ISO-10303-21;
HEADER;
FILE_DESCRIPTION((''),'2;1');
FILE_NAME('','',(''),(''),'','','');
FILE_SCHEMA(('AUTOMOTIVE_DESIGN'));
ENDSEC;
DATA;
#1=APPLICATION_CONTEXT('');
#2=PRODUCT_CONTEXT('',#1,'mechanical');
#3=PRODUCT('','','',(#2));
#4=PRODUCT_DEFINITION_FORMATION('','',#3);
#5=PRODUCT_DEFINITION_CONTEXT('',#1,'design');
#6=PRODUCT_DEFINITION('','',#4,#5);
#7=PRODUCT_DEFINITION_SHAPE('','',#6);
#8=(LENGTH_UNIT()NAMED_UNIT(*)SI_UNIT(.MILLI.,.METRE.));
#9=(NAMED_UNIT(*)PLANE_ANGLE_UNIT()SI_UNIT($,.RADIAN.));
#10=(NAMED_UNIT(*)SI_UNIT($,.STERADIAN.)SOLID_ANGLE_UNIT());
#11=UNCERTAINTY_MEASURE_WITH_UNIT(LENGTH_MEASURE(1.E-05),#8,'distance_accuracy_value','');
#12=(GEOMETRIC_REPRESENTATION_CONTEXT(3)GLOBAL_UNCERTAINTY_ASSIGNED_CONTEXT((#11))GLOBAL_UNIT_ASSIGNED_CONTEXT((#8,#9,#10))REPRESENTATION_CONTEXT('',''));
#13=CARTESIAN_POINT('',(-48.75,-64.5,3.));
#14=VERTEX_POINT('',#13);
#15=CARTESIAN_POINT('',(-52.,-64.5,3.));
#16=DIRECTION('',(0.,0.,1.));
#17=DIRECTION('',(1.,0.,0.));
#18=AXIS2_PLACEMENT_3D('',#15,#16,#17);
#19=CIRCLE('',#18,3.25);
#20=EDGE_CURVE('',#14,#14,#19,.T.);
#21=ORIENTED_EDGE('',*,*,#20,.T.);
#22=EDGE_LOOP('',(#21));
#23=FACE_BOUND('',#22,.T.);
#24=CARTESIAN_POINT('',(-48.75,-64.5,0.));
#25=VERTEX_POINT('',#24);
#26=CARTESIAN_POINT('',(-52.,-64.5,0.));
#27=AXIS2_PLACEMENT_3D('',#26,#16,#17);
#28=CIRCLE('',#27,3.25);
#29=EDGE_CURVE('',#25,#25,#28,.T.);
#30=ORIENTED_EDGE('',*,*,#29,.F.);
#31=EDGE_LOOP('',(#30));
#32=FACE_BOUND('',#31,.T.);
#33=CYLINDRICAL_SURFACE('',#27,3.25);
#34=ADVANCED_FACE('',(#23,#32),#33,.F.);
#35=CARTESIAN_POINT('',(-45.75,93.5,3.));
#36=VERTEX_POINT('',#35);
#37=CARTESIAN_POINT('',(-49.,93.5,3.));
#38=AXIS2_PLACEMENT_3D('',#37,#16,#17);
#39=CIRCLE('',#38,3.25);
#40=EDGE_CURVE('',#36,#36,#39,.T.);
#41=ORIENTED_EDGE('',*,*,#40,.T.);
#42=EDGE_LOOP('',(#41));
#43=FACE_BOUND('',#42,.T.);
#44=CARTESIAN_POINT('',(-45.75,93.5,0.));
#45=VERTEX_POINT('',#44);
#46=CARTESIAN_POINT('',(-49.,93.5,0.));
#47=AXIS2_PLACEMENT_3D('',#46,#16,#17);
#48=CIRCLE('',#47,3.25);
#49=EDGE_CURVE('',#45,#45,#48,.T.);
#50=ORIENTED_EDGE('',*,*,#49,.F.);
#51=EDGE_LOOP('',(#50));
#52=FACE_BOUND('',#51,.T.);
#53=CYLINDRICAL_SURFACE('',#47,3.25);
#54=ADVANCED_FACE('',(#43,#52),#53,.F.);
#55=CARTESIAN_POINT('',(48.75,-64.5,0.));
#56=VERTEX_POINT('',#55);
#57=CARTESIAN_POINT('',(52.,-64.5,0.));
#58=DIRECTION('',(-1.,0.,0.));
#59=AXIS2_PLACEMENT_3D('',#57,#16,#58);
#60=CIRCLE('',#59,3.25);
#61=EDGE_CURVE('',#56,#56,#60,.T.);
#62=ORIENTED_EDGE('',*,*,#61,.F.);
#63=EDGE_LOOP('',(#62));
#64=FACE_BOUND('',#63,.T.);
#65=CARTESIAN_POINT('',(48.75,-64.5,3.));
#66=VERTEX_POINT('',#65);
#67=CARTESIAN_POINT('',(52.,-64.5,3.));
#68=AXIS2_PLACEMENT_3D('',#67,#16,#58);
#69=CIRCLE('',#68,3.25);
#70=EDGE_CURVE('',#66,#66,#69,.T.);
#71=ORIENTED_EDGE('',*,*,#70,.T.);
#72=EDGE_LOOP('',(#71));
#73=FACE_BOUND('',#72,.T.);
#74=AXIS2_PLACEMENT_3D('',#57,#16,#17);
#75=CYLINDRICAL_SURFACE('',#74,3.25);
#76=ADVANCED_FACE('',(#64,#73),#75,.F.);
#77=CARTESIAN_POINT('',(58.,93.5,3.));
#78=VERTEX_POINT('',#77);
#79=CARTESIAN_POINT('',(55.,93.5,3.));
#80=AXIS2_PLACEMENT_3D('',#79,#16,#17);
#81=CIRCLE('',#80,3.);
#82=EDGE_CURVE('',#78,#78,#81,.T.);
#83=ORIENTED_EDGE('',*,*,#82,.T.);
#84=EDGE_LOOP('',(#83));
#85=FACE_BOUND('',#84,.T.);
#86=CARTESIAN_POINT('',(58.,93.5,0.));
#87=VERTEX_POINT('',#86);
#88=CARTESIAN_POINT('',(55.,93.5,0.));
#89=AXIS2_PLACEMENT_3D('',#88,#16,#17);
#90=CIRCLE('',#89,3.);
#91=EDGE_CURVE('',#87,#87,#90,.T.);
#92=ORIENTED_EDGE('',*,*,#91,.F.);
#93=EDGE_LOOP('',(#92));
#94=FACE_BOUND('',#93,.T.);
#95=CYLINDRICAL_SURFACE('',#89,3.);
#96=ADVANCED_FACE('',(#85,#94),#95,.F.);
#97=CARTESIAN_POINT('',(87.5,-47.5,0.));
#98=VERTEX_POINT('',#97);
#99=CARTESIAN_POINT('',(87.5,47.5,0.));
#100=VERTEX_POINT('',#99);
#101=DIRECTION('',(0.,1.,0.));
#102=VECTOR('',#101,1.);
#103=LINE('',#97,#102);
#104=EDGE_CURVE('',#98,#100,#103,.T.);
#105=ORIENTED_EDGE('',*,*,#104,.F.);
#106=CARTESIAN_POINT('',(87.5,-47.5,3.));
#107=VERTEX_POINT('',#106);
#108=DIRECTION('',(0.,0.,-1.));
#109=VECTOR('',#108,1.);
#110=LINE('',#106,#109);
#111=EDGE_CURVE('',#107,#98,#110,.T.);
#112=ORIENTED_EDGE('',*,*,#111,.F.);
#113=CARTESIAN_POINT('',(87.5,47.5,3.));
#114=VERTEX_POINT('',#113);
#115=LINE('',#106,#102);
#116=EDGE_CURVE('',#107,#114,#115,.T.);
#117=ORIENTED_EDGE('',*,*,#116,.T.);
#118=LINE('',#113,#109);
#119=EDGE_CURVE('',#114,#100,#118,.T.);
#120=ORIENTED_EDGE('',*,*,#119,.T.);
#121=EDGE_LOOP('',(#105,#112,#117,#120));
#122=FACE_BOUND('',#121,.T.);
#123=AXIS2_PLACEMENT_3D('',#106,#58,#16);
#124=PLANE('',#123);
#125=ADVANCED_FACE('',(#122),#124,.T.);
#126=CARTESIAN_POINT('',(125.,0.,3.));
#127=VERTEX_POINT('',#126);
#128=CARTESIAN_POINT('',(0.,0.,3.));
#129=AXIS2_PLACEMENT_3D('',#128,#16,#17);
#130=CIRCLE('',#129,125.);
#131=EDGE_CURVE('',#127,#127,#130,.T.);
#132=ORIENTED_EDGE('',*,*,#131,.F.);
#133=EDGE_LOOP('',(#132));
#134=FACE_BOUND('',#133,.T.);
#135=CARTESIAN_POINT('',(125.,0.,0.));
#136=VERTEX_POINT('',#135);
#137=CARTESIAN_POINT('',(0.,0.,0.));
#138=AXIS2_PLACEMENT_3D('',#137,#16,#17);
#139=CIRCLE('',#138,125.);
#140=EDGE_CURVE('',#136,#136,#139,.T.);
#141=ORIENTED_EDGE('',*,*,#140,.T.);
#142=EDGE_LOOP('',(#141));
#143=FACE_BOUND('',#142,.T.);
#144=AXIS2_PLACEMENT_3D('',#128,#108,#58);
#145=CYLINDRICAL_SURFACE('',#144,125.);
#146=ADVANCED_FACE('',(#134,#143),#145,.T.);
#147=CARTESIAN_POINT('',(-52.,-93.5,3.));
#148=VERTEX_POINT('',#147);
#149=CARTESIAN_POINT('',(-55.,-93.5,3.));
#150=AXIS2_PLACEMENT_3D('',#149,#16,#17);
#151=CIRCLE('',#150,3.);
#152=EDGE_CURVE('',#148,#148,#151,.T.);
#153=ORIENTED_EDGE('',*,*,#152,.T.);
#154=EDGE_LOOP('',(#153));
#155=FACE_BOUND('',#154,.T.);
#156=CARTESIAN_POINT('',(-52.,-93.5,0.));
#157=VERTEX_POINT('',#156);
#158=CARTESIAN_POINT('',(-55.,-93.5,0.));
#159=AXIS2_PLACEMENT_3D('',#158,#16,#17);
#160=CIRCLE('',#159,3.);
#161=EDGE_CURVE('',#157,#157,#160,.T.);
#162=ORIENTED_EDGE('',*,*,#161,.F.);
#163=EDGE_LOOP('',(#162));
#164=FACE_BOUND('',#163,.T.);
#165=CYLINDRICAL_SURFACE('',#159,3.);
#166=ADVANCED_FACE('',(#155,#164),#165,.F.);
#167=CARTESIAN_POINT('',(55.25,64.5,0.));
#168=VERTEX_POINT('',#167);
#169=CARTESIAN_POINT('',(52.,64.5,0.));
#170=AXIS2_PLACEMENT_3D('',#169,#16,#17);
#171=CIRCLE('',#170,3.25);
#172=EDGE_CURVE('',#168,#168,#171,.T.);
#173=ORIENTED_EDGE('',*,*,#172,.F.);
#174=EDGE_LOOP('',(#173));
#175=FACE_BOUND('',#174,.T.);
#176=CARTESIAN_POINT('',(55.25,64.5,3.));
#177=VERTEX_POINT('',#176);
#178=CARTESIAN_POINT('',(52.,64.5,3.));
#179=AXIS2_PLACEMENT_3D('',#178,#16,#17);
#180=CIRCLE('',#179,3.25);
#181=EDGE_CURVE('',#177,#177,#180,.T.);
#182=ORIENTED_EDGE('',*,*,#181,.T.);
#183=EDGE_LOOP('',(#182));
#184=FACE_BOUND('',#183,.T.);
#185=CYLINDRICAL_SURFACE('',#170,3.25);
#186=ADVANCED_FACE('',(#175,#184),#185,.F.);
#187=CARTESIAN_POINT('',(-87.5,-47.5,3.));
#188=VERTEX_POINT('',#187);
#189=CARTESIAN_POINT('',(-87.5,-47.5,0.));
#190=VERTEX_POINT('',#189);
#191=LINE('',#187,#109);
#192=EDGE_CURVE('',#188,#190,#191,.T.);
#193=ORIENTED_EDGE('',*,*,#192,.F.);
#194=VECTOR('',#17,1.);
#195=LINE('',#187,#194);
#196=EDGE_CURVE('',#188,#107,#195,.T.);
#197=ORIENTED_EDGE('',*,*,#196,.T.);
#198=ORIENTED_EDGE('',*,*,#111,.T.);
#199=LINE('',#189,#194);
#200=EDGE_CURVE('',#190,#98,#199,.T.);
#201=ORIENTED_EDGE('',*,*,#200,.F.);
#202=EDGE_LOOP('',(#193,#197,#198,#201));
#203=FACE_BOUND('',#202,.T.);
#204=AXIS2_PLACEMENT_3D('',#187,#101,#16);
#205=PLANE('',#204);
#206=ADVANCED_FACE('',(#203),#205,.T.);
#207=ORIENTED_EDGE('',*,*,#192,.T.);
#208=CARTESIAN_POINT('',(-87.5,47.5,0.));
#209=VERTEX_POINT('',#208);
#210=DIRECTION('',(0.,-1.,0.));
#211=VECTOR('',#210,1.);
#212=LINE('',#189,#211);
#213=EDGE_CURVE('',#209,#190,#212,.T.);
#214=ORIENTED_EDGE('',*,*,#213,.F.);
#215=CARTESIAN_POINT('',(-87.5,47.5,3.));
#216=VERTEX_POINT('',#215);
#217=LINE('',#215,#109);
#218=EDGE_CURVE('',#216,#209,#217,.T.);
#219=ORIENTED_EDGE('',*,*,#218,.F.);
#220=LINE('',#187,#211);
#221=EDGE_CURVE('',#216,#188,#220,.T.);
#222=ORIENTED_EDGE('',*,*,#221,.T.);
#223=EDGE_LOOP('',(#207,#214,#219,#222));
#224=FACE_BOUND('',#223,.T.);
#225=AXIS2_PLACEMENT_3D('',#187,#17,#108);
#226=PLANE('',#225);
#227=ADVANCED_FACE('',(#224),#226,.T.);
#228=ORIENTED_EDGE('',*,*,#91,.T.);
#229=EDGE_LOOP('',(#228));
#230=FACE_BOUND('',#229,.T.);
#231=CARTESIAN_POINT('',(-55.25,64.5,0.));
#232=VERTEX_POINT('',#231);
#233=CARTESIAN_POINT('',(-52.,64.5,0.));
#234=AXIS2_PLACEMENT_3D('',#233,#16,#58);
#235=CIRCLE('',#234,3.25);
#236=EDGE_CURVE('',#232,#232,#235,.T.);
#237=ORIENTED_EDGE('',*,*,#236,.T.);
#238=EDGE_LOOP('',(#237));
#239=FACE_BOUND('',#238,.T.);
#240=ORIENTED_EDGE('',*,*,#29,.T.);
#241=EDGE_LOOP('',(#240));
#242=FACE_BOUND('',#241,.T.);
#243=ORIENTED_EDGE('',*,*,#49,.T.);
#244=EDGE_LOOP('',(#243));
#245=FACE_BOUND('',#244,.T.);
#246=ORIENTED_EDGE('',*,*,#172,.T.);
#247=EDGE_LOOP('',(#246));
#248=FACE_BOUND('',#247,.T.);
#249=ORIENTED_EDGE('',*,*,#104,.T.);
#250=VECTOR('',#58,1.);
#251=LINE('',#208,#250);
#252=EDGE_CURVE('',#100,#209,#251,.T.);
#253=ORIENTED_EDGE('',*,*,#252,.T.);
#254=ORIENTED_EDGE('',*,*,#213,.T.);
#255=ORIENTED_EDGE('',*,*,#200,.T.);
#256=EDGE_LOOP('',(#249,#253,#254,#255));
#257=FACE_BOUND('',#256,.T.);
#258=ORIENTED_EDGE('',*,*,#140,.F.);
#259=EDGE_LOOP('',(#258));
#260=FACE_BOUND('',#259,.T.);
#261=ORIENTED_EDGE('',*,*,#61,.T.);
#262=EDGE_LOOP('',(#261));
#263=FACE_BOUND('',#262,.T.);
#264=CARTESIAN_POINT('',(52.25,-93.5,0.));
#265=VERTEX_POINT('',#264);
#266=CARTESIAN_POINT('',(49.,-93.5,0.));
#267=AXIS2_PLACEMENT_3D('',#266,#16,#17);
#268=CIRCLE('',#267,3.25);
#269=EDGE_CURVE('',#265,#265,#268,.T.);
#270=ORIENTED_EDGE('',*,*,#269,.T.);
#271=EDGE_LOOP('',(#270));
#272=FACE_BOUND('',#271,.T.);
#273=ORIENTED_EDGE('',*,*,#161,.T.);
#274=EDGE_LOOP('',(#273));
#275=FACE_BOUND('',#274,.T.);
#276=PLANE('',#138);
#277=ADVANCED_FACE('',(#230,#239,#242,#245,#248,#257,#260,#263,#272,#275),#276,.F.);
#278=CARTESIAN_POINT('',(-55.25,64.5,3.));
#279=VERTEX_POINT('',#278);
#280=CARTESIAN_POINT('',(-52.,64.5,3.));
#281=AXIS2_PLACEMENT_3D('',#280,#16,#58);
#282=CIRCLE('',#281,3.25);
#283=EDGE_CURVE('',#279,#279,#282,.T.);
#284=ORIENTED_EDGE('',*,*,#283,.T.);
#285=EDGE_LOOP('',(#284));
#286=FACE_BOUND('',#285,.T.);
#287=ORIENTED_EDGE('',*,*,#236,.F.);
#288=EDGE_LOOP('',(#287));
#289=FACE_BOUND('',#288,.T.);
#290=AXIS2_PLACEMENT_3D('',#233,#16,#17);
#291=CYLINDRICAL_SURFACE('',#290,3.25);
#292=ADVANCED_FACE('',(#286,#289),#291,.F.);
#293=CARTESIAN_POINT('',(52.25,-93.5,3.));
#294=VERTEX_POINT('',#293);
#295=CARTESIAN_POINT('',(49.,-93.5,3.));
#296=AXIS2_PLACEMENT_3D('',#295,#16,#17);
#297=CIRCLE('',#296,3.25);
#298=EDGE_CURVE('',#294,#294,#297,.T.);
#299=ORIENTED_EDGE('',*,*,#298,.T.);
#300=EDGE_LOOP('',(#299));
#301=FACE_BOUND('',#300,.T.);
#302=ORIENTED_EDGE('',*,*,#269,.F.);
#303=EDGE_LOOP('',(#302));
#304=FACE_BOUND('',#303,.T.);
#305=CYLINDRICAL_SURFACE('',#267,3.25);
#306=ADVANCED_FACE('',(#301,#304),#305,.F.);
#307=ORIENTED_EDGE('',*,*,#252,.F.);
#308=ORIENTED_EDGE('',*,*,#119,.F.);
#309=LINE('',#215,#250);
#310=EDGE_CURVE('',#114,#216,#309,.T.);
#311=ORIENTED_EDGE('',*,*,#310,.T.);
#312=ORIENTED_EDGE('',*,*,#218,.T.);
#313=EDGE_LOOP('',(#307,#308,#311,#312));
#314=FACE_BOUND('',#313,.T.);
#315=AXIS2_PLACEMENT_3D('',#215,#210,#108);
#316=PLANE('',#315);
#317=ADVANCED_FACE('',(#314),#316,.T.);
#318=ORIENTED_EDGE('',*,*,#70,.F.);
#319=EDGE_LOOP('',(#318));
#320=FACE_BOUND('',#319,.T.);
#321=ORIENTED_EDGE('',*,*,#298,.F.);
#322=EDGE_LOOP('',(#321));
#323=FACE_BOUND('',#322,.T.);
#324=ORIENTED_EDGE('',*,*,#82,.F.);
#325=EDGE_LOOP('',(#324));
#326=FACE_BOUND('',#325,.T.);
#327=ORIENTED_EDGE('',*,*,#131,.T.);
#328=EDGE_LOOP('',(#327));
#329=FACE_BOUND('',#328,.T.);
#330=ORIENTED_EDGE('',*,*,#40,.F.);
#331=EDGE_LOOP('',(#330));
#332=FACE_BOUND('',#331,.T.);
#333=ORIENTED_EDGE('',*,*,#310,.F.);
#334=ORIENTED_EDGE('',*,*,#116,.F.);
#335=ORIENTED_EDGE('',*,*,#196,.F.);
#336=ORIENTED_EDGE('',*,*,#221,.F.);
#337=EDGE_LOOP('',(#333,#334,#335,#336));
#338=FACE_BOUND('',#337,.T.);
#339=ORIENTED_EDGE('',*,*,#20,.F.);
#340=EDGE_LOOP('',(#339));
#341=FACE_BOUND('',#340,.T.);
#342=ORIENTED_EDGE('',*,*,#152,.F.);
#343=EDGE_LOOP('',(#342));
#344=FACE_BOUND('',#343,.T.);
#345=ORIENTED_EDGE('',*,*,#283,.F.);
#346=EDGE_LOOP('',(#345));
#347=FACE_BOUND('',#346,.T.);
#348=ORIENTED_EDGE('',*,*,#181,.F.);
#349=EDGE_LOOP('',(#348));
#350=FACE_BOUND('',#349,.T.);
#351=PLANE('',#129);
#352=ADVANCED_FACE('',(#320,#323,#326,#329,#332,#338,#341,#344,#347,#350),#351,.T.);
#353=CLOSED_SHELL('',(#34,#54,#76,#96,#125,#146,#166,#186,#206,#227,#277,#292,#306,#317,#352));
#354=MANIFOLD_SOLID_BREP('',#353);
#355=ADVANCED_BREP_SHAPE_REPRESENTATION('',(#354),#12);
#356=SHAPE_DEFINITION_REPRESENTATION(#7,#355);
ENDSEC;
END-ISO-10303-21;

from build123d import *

# Parameters (mm, degrees)
SKETCH1_R           = 125
SKETCH1_W           = 175
SKETCH1_H           = 95
BOSS_EXTRUDE1_DEPTH = 3
SKETCH2_R           = 3.25
SKETCH2_R_2         = 3
CUT_EXTRUDE1_DEPTH  = 4


with BuildPart() as part:
    # Sketch1 → Boss-Extrude1 (new body)
    with BuildSketch(Plane.XY):
        Circle(SKETCH1_R)
        Rectangle(SKETCH1_W, SKETCH1_H, mode=Mode.SUBTRACT)
    extrude(amount=BOSS_EXTRUDE1_DEPTH)

    # Sketch2 → Cut-Extrude1 (cut, through all)
    with BuildSketch(Plane.XY.offset(3)):
        with Locations((-52, -64.5)):
            Circle(SKETCH2_R)
        with Locations((-55, -93.5)):
            Circle(SKETCH2_R_2)
        with Locations((52, 64.5)):
            Circle(SKETCH2_R)
        with Locations((55, 93.5)):
            Circle(SKETCH2_R_2)
        with Locations((52, -64.5)):
            Circle(SKETCH2_R)
        with Locations((-52, 64.5)):
            Circle(SKETCH2_R)
        with Locations((49, -93.5)):
            Circle(SKETCH2_R)
        with Locations((-49, 93.5)):
            Circle(SKETCH2_R)
    extrude(amount=-CUT_EXTRUDE1_DEPTH, mode=Mode.SUBTRACT)


solid = part.part
